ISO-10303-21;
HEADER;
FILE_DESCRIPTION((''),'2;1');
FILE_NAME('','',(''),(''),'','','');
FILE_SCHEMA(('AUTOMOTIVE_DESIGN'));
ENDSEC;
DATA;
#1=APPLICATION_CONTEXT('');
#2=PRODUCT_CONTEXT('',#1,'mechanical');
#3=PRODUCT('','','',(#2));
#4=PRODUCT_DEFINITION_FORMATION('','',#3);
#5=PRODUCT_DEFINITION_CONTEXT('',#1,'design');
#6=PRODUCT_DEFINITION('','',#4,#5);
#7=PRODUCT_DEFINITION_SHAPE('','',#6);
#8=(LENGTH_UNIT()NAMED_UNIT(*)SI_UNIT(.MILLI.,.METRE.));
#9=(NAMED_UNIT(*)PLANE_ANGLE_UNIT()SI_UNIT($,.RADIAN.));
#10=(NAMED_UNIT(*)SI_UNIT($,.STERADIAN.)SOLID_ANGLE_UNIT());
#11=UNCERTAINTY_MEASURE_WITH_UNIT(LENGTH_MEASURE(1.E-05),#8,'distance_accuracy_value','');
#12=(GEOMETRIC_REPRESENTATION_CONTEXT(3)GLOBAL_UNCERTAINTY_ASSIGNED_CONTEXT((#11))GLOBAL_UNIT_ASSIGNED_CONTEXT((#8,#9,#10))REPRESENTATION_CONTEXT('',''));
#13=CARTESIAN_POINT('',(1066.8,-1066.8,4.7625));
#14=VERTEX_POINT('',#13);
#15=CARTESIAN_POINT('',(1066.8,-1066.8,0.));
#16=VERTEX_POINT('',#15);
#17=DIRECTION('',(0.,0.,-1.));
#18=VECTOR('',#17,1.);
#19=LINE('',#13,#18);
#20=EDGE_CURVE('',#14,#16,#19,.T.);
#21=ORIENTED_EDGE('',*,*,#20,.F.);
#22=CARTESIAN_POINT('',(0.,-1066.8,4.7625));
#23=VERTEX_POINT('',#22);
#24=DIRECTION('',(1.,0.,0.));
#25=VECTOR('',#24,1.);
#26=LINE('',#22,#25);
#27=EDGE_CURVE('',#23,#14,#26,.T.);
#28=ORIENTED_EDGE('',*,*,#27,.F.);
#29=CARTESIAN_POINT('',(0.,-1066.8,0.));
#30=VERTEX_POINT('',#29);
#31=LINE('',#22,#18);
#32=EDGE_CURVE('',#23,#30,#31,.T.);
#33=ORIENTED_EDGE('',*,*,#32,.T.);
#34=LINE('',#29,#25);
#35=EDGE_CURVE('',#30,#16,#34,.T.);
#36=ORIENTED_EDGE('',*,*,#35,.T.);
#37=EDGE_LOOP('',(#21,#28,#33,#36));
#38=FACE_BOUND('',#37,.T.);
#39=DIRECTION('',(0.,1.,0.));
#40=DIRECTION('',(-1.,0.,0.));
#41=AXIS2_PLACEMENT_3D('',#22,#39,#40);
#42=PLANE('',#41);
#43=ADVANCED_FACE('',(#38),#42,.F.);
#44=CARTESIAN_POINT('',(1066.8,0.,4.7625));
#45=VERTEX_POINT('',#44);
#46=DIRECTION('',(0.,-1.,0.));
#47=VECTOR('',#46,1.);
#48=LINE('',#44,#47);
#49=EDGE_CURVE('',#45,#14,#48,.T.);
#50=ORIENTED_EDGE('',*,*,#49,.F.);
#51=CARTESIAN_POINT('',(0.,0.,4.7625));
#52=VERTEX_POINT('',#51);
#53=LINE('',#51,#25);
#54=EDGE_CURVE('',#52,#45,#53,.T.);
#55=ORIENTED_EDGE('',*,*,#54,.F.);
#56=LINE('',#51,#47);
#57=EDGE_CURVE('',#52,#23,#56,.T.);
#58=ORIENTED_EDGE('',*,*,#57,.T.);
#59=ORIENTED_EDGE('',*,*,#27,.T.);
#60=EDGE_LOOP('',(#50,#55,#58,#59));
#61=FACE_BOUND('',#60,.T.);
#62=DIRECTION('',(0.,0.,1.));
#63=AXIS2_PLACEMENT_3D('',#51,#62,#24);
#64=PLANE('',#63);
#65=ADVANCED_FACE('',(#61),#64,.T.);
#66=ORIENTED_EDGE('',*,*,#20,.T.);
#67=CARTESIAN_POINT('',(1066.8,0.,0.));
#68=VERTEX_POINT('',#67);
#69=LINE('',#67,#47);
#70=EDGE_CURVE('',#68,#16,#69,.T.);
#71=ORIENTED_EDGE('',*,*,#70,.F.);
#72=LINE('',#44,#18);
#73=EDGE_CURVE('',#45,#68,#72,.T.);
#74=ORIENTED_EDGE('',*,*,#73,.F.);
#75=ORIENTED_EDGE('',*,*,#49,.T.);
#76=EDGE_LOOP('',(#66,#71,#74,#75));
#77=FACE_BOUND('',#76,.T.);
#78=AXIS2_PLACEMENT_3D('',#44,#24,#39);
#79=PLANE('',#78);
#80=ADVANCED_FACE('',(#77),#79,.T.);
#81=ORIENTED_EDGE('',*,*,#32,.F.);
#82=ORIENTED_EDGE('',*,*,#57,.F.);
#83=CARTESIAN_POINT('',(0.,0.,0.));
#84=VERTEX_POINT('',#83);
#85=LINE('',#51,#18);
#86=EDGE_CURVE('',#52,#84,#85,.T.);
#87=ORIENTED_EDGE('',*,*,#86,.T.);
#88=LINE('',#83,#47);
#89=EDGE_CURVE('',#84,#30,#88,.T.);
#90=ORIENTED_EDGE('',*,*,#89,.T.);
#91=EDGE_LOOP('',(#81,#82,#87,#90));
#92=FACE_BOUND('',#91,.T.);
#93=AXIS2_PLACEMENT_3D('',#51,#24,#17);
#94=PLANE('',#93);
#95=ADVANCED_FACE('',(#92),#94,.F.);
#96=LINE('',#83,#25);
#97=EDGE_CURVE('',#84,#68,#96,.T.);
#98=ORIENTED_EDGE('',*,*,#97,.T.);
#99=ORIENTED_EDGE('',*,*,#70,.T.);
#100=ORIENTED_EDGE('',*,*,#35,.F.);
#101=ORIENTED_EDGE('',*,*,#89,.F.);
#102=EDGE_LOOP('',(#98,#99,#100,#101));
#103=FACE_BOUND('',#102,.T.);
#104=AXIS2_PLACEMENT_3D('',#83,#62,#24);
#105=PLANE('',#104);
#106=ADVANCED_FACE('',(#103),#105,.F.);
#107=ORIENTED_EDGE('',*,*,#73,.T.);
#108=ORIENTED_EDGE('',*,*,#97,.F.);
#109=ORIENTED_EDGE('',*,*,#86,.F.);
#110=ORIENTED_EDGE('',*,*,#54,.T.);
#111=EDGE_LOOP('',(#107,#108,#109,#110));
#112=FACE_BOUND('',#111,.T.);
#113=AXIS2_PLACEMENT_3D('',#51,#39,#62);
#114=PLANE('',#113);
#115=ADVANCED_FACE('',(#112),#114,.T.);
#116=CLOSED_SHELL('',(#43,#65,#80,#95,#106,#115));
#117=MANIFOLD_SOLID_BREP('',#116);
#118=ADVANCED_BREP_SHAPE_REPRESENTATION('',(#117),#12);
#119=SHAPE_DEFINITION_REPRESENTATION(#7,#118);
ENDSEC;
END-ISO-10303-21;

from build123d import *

# Parameters (mm, degrees)
ESQUISSE1_W        = 1066.8
ESQUISSE1_H        = 1066.8
BOSS_EXTRU_1_DEPTH = 4.7625


with BuildPart() as part:
    # Esquisse1 → Boss.-Extru.1 (new body)
    with BuildSketch(Plane.XY):
        with Locations((533.4, -533.4)):
            Rectangle(ESQUISSE1_W, ESQUISSE1_H)
    extrude(amount=BOSS_EXTRU_1_DEPTH)


solid = part.part
